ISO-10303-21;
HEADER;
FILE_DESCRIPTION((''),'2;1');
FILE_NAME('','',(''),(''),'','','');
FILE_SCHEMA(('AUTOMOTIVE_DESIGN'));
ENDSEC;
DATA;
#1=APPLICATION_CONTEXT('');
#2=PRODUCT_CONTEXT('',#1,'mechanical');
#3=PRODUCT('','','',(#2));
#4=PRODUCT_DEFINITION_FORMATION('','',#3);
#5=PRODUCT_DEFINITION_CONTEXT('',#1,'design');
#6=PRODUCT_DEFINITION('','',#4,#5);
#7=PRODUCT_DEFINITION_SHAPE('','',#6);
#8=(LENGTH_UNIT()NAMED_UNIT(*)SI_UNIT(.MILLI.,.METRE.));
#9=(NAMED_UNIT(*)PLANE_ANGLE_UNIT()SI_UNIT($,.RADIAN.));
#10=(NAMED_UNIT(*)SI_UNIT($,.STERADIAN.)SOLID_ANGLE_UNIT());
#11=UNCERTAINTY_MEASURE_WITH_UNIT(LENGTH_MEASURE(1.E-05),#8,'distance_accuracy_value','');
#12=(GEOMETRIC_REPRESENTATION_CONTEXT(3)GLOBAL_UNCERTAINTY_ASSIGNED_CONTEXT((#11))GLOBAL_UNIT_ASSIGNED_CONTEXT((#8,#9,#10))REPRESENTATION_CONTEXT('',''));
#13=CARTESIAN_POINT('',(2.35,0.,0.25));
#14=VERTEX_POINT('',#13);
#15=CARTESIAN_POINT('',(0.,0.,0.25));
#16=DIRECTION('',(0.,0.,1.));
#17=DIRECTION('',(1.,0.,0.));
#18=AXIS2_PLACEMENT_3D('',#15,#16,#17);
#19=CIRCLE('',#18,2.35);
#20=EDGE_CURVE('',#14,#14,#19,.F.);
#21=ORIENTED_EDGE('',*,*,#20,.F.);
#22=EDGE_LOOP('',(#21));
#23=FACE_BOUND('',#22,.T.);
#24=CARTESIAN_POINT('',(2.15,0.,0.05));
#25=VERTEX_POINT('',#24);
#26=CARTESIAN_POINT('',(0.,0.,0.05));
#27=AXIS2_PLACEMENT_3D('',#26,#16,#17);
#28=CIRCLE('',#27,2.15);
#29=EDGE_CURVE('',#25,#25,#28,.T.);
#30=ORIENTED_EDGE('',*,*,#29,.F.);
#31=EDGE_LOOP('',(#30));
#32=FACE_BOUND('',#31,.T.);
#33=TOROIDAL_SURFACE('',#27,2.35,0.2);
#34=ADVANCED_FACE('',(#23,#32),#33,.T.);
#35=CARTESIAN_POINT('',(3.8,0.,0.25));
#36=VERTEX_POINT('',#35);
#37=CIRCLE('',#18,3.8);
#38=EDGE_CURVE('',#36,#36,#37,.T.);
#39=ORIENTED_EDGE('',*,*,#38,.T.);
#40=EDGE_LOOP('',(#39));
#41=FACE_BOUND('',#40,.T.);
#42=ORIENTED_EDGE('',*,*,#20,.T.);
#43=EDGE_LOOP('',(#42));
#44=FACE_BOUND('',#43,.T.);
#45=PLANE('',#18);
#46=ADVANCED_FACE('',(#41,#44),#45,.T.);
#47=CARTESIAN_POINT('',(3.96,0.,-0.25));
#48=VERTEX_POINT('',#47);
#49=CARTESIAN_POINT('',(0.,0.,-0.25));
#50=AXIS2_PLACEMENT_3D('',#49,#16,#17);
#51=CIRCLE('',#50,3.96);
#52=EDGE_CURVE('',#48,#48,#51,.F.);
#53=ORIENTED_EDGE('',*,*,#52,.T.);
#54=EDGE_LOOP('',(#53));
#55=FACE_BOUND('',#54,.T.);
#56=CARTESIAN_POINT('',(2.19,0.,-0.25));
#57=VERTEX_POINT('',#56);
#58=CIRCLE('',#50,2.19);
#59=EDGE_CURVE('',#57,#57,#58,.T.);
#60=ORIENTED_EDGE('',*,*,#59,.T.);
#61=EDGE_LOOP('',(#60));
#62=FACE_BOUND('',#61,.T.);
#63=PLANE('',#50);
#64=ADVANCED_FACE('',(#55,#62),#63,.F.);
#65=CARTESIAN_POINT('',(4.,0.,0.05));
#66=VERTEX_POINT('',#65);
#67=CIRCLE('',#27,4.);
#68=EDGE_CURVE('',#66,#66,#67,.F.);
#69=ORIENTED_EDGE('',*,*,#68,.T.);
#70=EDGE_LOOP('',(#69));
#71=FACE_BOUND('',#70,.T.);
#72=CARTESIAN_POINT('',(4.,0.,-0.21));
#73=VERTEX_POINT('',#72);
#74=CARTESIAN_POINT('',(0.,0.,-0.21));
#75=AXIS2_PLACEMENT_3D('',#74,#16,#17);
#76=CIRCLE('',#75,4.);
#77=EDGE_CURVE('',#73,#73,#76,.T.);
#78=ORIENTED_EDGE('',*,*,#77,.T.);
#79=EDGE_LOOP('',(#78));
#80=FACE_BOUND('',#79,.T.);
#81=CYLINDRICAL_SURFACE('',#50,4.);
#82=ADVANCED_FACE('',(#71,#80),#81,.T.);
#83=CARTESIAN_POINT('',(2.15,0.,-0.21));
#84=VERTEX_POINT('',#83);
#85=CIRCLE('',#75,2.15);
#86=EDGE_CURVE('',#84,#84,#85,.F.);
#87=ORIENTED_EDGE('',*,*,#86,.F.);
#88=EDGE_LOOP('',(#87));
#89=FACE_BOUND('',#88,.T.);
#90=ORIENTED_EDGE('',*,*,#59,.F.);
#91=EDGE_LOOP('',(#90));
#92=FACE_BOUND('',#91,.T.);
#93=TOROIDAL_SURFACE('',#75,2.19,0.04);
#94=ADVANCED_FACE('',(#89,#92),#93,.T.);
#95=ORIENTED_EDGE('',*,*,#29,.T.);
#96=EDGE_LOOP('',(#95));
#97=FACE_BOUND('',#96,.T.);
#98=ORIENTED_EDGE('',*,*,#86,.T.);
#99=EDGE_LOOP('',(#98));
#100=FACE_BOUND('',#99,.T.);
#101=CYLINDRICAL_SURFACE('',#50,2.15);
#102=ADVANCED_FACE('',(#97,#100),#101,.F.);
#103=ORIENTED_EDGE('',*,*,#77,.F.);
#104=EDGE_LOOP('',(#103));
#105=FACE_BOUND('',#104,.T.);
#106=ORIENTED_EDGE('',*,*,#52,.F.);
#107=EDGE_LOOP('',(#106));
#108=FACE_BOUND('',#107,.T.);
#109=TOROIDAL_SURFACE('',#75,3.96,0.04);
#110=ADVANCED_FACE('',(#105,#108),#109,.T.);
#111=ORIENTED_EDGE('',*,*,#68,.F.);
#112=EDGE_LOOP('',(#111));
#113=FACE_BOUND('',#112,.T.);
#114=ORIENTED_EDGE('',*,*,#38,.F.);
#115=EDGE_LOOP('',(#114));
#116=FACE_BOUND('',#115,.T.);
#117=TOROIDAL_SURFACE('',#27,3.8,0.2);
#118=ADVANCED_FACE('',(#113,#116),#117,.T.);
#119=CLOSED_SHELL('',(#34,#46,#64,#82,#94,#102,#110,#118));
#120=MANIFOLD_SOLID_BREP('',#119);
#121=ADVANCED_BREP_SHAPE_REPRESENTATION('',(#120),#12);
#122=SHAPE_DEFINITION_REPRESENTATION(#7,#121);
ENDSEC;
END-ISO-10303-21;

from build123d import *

# Parameters (mm, degrees)
BOSS_EXTRUDE1_DEPTH      = 0.25
BOSS_EXTRUDE1_DEPTH_BACK = 0.25
SKETCH3_R                = 4
SKETCH3_R_2              = 2.15
FILLET1_R                = 0.2
FILLET3_R                = 0.04


with BuildPart() as part:
    # Sketch3 → Boss-Extrude1 (new, two sides: drawn at the far end of the back side and taken through both)
    with BuildSketch(Plane.XY.offset(-BOSS_EXTRUDE1_DEPTH_BACK)):
        Circle(SKETCH3_R)
        Circle(SKETCH3_R_2, mode=Mode.SUBTRACT)
    extrude(amount=BOSS_EXTRUDE1_DEPTH + BOSS_EXTRUDE1_DEPTH_BACK)

    # Fillet1
    fillet1_edges = [part.edges().sort_by_distance(p)[0] for p in [
        (-4, 0, 0.25),
        (-2.15, 0, 0.25),
    ]]
    fillet(fillet1_edges, radius=FILLET1_R)

    # Fillet3
    fillet3_edges = [part.edges().sort_by_distance(p)[0] for p in [
        (-4, 0, -0.25),
        (-2.15, 0, -0.25),
    ]]
    fillet(fillet3_edges, radius=FILLET3_R)


solid = part.part
